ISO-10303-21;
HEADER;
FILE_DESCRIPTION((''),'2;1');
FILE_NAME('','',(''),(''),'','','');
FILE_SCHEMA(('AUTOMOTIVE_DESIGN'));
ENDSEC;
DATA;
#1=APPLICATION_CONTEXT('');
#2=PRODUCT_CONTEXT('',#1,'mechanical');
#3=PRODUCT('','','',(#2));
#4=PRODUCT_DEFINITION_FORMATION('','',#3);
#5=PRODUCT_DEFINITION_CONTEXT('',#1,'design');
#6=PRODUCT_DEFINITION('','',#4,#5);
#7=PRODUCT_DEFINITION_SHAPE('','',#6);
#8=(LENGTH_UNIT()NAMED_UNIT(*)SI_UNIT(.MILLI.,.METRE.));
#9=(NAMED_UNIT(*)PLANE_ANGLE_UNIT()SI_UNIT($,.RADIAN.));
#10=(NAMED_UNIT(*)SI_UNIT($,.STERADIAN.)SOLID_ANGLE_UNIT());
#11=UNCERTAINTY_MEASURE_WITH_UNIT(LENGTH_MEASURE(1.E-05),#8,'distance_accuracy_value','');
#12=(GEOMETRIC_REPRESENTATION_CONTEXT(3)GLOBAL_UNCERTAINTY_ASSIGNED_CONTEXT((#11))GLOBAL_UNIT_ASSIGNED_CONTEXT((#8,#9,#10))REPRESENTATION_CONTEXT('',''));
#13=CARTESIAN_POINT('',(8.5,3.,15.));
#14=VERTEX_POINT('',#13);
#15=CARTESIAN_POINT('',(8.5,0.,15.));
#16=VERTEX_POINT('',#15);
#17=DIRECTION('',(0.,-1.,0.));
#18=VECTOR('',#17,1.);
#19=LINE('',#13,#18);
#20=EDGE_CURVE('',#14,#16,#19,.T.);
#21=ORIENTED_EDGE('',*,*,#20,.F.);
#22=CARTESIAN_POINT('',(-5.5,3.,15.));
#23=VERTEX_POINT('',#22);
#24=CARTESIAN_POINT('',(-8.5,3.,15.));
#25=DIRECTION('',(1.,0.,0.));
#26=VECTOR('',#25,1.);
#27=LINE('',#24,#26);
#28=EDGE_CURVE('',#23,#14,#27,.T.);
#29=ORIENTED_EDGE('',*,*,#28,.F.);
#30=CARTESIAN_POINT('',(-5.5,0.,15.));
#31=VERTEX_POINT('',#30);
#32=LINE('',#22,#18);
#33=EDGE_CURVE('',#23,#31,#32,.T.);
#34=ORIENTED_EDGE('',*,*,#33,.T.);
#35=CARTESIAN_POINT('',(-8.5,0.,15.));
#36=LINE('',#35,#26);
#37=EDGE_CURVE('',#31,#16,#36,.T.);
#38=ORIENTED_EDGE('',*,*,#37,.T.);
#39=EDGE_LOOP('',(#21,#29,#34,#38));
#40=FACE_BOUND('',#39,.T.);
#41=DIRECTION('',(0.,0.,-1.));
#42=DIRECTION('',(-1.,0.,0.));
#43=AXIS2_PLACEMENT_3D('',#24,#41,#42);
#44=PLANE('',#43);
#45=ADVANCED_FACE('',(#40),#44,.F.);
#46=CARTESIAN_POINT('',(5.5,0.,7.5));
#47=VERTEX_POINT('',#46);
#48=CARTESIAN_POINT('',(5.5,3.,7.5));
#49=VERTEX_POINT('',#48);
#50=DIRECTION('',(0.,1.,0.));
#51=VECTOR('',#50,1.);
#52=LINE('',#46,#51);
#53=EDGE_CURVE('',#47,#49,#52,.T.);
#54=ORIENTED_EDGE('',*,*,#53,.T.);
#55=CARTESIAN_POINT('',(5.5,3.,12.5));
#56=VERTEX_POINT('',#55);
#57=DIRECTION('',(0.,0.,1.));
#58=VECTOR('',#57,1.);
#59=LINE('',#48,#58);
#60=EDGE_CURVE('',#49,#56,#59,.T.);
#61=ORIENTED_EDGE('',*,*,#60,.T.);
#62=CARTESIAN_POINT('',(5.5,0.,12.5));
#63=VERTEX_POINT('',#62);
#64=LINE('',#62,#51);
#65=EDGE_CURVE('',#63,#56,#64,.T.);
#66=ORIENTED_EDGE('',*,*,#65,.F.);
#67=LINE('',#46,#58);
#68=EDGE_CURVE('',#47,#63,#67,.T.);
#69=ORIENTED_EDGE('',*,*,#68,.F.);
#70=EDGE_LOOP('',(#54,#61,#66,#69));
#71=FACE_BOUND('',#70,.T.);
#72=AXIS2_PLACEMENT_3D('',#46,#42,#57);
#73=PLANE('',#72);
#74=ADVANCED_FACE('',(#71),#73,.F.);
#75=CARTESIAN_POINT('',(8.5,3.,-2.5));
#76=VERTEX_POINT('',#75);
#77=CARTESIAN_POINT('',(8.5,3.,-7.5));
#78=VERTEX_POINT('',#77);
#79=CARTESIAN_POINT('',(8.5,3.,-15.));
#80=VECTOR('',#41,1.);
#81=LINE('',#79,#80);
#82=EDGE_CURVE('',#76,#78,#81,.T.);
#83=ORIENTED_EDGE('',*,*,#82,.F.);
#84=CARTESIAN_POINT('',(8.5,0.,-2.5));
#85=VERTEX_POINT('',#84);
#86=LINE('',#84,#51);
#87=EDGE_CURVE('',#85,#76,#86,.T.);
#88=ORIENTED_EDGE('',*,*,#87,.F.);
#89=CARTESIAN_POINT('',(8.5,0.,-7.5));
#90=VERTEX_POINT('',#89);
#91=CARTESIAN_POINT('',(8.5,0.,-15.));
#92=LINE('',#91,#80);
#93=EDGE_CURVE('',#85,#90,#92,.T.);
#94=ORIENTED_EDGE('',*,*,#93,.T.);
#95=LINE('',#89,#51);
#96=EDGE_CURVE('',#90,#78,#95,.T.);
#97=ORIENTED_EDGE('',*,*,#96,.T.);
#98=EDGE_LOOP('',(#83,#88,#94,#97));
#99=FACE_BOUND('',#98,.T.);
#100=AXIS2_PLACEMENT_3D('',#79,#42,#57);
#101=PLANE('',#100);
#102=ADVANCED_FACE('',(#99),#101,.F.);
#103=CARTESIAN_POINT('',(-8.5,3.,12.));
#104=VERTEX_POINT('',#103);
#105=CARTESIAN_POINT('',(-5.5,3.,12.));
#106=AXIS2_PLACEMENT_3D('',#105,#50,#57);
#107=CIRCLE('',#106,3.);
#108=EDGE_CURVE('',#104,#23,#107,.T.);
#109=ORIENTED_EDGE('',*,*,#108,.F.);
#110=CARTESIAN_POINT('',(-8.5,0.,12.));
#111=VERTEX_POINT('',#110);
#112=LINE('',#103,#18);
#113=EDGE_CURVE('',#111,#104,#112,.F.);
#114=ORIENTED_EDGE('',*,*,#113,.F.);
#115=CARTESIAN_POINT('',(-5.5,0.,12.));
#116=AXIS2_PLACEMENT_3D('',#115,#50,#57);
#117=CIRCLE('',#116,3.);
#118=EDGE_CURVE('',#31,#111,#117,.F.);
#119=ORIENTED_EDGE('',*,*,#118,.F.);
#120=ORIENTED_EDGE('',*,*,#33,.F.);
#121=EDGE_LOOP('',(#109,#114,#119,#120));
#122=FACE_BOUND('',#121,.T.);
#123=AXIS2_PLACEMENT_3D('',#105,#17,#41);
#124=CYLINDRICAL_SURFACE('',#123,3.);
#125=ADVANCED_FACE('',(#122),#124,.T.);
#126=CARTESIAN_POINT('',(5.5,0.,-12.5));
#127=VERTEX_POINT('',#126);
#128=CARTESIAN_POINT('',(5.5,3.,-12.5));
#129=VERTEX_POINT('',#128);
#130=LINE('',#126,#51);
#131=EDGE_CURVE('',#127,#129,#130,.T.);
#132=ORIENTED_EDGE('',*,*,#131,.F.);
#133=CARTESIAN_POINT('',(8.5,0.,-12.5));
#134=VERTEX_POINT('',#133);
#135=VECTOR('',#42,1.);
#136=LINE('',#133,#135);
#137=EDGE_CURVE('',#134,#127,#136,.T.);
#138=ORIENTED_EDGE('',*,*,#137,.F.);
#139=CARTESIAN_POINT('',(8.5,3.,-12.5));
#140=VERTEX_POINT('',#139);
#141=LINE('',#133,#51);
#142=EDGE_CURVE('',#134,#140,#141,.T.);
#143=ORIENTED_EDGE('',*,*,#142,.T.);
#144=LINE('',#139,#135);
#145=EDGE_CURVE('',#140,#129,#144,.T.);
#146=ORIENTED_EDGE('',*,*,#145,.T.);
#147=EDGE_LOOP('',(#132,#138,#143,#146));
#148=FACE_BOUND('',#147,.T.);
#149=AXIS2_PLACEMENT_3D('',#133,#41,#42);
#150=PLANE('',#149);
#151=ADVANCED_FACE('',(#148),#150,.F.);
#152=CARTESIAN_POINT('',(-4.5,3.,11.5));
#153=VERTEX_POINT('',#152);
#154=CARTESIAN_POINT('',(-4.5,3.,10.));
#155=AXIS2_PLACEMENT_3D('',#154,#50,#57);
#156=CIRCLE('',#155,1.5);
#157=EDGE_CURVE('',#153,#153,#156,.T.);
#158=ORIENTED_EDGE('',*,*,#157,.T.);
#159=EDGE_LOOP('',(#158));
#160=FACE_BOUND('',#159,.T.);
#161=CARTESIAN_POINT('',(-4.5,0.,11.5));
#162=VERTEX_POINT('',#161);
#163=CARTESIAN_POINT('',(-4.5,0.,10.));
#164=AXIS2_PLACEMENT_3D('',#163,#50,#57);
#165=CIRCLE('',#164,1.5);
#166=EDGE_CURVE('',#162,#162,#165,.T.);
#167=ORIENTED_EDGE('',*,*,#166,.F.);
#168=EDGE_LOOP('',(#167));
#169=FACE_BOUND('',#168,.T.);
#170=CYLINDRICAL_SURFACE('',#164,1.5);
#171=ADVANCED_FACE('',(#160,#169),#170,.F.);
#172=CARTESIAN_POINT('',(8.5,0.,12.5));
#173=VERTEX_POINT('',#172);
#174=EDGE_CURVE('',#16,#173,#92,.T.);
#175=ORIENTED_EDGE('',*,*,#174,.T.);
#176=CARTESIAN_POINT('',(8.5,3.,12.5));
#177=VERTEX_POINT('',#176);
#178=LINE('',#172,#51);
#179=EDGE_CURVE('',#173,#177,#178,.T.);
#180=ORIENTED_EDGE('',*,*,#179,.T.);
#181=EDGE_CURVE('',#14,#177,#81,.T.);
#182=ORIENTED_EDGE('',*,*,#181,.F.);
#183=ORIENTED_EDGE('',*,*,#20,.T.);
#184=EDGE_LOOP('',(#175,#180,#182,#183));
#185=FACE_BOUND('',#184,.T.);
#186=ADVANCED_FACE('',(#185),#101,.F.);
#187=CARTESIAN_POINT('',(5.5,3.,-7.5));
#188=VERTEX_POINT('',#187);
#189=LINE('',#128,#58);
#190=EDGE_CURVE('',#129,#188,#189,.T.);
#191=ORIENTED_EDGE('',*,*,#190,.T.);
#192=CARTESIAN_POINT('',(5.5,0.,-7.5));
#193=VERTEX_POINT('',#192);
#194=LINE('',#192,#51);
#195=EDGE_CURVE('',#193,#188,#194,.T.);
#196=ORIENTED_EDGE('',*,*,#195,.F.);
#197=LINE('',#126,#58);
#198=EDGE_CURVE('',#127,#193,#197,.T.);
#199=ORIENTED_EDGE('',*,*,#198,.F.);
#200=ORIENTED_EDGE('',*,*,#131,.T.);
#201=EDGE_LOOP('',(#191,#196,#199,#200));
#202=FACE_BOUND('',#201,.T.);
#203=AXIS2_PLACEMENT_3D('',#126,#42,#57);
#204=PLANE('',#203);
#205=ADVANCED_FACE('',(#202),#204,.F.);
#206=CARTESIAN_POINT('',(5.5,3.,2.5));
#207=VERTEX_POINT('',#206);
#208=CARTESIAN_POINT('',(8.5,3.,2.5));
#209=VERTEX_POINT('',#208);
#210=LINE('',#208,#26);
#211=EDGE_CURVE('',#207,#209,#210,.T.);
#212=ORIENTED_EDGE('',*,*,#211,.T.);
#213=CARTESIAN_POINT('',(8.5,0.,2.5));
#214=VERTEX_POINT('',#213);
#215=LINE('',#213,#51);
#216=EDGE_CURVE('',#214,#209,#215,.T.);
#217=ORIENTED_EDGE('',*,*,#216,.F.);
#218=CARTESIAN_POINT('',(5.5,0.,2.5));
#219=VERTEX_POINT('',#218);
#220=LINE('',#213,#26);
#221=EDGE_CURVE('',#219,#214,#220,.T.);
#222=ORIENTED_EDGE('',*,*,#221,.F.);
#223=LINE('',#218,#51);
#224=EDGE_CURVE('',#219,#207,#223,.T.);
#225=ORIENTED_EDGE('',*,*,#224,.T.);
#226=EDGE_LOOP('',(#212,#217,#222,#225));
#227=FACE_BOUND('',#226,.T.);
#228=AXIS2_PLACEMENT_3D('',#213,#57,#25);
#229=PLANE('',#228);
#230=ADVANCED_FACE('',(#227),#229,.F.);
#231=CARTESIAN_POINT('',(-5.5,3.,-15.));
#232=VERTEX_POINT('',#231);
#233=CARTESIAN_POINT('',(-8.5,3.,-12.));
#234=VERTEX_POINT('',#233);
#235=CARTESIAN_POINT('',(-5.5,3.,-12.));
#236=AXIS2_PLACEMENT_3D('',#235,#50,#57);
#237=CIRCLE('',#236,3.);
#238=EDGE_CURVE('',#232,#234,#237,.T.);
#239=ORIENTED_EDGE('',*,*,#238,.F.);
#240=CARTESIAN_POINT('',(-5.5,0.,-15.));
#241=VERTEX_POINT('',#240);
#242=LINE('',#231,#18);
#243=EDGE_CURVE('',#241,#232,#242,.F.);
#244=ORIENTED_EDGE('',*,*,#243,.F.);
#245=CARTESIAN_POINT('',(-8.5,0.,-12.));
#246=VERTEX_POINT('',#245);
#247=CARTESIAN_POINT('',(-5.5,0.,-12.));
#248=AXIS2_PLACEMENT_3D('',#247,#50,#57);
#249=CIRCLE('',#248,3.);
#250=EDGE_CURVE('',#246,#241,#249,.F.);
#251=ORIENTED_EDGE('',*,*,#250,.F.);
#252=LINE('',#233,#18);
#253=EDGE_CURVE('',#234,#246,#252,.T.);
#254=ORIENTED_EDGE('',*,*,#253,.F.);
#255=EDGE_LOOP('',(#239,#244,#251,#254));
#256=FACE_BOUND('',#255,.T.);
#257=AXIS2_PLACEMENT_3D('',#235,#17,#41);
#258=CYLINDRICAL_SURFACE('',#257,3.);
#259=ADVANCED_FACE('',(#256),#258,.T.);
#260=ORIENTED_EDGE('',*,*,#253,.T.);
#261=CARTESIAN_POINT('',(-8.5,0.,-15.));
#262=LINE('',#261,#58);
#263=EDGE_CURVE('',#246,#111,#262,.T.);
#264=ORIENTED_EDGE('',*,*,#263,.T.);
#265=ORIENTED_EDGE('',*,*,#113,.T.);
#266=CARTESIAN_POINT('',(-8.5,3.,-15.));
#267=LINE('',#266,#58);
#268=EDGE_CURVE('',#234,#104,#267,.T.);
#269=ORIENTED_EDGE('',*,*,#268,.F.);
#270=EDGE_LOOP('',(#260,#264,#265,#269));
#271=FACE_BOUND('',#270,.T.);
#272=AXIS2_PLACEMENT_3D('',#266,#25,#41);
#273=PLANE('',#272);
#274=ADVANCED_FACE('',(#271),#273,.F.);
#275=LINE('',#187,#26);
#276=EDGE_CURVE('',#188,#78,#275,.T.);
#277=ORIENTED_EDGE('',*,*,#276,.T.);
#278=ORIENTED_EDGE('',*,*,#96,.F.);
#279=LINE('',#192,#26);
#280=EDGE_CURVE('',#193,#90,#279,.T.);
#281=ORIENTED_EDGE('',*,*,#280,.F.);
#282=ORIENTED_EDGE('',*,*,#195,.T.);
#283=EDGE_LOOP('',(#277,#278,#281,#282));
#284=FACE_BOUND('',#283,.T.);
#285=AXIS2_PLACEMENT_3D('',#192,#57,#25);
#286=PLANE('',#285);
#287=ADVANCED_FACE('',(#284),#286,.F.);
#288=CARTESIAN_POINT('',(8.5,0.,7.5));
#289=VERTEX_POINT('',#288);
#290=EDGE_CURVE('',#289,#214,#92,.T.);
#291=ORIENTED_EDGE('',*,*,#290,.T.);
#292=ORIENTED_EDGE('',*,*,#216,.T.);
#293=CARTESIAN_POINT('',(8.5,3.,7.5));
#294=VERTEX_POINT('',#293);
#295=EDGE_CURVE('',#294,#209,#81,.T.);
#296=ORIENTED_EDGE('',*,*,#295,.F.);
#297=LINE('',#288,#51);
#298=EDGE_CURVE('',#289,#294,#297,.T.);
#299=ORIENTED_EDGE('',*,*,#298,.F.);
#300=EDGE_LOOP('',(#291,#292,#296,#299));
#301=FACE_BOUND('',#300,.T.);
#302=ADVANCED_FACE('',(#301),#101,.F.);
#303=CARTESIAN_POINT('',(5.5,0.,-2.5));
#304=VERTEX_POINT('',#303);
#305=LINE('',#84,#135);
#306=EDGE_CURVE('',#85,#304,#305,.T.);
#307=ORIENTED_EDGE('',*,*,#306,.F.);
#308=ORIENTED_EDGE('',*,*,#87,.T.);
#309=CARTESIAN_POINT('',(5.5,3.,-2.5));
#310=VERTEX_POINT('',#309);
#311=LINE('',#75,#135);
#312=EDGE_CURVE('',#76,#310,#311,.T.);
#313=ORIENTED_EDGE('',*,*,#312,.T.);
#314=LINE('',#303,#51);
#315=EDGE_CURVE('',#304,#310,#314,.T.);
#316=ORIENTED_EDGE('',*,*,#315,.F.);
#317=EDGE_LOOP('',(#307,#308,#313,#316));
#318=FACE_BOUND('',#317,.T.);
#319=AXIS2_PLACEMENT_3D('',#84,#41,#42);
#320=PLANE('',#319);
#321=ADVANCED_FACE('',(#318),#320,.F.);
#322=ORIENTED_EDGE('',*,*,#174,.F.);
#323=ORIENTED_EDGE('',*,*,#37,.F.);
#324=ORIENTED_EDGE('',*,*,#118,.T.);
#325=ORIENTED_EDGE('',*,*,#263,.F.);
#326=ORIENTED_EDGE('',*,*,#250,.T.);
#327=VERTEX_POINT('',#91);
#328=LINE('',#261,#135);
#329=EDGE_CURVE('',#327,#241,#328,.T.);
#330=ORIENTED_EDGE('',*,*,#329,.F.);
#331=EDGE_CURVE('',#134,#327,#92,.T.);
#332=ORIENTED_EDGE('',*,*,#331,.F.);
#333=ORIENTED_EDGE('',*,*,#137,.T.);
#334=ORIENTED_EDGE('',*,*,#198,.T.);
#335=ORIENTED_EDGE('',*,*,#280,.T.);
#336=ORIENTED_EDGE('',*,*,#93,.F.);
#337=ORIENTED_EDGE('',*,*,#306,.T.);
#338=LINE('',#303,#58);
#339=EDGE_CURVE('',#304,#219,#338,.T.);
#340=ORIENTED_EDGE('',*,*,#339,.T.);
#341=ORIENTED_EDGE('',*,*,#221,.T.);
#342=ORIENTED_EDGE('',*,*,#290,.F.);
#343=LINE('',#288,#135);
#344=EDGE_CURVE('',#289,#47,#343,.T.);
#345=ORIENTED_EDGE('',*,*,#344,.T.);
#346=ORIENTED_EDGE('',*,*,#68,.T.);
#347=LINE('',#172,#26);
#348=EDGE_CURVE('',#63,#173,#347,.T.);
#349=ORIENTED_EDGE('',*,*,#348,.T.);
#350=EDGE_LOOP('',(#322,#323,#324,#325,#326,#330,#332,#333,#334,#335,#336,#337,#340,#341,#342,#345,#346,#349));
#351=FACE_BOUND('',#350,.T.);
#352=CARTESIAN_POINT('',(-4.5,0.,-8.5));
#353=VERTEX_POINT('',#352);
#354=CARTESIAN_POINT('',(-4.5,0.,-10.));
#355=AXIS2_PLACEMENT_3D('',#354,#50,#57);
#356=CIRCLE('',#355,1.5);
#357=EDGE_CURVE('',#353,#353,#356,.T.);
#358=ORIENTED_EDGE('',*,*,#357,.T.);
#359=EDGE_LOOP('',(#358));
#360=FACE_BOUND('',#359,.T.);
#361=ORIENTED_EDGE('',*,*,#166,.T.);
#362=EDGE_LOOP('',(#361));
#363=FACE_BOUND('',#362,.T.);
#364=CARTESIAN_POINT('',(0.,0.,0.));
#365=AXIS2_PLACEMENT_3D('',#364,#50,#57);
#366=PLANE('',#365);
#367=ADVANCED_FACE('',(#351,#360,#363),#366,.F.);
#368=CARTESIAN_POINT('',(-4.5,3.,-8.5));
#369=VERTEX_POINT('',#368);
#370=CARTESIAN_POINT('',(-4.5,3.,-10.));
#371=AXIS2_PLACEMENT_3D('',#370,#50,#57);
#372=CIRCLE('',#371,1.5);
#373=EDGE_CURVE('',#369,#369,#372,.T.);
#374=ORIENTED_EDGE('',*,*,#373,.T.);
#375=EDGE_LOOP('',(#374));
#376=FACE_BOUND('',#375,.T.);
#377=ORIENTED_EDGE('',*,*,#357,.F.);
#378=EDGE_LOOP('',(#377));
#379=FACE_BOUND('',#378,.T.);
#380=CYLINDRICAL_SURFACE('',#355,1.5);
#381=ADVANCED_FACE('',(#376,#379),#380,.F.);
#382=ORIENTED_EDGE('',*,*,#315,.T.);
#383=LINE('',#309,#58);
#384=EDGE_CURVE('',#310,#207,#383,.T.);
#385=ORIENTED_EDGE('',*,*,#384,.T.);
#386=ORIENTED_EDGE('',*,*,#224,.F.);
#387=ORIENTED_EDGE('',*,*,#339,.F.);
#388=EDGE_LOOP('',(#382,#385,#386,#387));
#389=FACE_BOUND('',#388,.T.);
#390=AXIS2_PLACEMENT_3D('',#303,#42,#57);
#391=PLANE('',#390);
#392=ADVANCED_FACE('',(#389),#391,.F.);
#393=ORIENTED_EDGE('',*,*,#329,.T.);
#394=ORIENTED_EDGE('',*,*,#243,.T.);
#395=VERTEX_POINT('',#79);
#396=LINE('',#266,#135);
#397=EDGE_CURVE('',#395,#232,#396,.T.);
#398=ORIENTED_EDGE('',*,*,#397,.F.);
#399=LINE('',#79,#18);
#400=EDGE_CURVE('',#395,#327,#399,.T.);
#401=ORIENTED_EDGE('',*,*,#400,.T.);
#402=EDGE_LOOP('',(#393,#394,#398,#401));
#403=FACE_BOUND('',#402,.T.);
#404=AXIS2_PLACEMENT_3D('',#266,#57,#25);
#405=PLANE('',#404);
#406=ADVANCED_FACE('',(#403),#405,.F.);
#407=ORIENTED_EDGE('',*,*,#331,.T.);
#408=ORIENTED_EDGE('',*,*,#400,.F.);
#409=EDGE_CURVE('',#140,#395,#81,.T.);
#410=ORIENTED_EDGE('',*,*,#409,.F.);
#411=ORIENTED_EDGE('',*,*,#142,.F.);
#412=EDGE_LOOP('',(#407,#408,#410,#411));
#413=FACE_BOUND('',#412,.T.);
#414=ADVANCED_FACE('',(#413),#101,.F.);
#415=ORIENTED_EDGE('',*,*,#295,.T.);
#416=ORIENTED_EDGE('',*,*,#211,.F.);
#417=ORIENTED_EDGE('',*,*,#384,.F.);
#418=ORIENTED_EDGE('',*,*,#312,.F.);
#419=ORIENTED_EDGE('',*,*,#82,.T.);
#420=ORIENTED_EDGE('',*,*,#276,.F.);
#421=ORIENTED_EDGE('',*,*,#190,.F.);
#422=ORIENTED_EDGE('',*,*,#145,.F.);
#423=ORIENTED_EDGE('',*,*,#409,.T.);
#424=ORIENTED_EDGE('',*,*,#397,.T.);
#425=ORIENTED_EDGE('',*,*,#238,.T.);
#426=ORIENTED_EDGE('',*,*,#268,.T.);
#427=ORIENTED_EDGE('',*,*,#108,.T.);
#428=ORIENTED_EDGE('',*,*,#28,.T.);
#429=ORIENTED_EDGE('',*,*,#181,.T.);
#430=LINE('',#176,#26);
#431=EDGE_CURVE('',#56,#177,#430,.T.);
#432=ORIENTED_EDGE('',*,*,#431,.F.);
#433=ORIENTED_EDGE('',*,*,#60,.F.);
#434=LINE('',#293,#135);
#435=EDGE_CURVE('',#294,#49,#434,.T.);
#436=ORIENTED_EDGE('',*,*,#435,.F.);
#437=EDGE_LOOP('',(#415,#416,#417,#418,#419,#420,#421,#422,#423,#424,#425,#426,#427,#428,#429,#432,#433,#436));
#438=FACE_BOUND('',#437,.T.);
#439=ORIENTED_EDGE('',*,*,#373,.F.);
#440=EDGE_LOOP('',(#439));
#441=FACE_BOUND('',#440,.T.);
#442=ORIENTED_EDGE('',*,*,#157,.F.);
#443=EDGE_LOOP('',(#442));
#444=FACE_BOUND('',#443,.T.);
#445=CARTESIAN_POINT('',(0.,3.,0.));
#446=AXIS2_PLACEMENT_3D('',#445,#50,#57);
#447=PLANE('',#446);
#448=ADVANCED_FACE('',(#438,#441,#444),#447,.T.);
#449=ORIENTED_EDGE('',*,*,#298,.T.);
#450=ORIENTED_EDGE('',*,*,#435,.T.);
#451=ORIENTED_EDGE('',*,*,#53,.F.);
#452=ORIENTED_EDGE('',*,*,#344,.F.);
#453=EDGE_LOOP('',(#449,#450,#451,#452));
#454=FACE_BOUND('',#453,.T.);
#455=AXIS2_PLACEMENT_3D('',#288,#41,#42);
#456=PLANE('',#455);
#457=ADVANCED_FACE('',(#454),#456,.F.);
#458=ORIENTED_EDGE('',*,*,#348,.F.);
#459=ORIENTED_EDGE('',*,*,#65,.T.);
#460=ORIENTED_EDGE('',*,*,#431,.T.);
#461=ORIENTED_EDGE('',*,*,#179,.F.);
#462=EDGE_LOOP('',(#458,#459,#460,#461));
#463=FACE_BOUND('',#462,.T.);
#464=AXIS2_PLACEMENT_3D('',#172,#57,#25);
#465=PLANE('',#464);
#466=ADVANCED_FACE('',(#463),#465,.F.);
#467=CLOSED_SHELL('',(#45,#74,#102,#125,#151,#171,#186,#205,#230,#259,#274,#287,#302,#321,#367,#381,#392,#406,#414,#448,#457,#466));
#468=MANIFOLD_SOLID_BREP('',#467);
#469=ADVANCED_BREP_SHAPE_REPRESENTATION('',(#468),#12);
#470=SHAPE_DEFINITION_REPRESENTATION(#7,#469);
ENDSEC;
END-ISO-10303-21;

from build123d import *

# Parameters (mm, degrees)
SKETCH1_W           = 17
SKETCH1_H           = 30
BOSS_EXTRUDE1_DEPTH = 3
SKETCH2_W           = 3
SKETCH2_H           = 5
CUT_EXTRUDE1_DEPTH  = 3
SKETCH3_R           = 1.5
CUT_EXTRUDE2_DEPTH  = 3
FILLET1_R           = 3


with BuildPart() as part:
    # Sketch1 → Boss-Extrude1 (new body)
    with BuildSketch(Plane(origin=(0, 0, 0), x_dir=(1, 0, 0), z_dir=(0, 1, 0))):
        Rectangle(SKETCH1_W, SKETCH1_H)
    extrude(amount=BOSS_EXTRUDE1_DEPTH)

    # Sketch2 → Cut-Extrude1 (cut)
    with BuildSketch(Plane(origin=(0, 3, 0), x_dir=(1, 0, 0), z_dir=(0, 1, 0))):
        with Locations((7, 10)):
            Rectangle(SKETCH2_W, SKETCH2_H)
        with Locations((7, 0)):
            Rectangle(SKETCH2_W, SKETCH2_H)
        with Locations((7, -10)):
            Rectangle(SKETCH2_W, SKETCH2_H)
    extrude(amount=-CUT_EXTRUDE1_DEPTH, mode=Mode.SUBTRACT)

    # Sketch3 → Cut-Extrude2 (cut)
    with BuildSketch(Plane(origin=(0, 3, 0), x_dir=(1, 0, 0), z_dir=(0, 1, 0))):
        with Locations(Location((-4.5, 10, 0), (0, 0, 270))):
            Circle(SKETCH3_R)
        with Locations(Location((-4.5, -10, 0), (0, 0, 270))):
            Circle(SKETCH3_R)
    extrude(amount=-CUT_EXTRUDE2_DEPTH, mode=Mode.SUBTRACT)

    # Fillet1
    fillet1_edges = [part.edges().sort_by_distance(p)[0] for p in [
        (-8.5, 1.5, 15),
        (-8.5, 1.5, -15),
    ]]
    fillet(fillet1_edges, radius=FILLET1_R)


solid = part.part
